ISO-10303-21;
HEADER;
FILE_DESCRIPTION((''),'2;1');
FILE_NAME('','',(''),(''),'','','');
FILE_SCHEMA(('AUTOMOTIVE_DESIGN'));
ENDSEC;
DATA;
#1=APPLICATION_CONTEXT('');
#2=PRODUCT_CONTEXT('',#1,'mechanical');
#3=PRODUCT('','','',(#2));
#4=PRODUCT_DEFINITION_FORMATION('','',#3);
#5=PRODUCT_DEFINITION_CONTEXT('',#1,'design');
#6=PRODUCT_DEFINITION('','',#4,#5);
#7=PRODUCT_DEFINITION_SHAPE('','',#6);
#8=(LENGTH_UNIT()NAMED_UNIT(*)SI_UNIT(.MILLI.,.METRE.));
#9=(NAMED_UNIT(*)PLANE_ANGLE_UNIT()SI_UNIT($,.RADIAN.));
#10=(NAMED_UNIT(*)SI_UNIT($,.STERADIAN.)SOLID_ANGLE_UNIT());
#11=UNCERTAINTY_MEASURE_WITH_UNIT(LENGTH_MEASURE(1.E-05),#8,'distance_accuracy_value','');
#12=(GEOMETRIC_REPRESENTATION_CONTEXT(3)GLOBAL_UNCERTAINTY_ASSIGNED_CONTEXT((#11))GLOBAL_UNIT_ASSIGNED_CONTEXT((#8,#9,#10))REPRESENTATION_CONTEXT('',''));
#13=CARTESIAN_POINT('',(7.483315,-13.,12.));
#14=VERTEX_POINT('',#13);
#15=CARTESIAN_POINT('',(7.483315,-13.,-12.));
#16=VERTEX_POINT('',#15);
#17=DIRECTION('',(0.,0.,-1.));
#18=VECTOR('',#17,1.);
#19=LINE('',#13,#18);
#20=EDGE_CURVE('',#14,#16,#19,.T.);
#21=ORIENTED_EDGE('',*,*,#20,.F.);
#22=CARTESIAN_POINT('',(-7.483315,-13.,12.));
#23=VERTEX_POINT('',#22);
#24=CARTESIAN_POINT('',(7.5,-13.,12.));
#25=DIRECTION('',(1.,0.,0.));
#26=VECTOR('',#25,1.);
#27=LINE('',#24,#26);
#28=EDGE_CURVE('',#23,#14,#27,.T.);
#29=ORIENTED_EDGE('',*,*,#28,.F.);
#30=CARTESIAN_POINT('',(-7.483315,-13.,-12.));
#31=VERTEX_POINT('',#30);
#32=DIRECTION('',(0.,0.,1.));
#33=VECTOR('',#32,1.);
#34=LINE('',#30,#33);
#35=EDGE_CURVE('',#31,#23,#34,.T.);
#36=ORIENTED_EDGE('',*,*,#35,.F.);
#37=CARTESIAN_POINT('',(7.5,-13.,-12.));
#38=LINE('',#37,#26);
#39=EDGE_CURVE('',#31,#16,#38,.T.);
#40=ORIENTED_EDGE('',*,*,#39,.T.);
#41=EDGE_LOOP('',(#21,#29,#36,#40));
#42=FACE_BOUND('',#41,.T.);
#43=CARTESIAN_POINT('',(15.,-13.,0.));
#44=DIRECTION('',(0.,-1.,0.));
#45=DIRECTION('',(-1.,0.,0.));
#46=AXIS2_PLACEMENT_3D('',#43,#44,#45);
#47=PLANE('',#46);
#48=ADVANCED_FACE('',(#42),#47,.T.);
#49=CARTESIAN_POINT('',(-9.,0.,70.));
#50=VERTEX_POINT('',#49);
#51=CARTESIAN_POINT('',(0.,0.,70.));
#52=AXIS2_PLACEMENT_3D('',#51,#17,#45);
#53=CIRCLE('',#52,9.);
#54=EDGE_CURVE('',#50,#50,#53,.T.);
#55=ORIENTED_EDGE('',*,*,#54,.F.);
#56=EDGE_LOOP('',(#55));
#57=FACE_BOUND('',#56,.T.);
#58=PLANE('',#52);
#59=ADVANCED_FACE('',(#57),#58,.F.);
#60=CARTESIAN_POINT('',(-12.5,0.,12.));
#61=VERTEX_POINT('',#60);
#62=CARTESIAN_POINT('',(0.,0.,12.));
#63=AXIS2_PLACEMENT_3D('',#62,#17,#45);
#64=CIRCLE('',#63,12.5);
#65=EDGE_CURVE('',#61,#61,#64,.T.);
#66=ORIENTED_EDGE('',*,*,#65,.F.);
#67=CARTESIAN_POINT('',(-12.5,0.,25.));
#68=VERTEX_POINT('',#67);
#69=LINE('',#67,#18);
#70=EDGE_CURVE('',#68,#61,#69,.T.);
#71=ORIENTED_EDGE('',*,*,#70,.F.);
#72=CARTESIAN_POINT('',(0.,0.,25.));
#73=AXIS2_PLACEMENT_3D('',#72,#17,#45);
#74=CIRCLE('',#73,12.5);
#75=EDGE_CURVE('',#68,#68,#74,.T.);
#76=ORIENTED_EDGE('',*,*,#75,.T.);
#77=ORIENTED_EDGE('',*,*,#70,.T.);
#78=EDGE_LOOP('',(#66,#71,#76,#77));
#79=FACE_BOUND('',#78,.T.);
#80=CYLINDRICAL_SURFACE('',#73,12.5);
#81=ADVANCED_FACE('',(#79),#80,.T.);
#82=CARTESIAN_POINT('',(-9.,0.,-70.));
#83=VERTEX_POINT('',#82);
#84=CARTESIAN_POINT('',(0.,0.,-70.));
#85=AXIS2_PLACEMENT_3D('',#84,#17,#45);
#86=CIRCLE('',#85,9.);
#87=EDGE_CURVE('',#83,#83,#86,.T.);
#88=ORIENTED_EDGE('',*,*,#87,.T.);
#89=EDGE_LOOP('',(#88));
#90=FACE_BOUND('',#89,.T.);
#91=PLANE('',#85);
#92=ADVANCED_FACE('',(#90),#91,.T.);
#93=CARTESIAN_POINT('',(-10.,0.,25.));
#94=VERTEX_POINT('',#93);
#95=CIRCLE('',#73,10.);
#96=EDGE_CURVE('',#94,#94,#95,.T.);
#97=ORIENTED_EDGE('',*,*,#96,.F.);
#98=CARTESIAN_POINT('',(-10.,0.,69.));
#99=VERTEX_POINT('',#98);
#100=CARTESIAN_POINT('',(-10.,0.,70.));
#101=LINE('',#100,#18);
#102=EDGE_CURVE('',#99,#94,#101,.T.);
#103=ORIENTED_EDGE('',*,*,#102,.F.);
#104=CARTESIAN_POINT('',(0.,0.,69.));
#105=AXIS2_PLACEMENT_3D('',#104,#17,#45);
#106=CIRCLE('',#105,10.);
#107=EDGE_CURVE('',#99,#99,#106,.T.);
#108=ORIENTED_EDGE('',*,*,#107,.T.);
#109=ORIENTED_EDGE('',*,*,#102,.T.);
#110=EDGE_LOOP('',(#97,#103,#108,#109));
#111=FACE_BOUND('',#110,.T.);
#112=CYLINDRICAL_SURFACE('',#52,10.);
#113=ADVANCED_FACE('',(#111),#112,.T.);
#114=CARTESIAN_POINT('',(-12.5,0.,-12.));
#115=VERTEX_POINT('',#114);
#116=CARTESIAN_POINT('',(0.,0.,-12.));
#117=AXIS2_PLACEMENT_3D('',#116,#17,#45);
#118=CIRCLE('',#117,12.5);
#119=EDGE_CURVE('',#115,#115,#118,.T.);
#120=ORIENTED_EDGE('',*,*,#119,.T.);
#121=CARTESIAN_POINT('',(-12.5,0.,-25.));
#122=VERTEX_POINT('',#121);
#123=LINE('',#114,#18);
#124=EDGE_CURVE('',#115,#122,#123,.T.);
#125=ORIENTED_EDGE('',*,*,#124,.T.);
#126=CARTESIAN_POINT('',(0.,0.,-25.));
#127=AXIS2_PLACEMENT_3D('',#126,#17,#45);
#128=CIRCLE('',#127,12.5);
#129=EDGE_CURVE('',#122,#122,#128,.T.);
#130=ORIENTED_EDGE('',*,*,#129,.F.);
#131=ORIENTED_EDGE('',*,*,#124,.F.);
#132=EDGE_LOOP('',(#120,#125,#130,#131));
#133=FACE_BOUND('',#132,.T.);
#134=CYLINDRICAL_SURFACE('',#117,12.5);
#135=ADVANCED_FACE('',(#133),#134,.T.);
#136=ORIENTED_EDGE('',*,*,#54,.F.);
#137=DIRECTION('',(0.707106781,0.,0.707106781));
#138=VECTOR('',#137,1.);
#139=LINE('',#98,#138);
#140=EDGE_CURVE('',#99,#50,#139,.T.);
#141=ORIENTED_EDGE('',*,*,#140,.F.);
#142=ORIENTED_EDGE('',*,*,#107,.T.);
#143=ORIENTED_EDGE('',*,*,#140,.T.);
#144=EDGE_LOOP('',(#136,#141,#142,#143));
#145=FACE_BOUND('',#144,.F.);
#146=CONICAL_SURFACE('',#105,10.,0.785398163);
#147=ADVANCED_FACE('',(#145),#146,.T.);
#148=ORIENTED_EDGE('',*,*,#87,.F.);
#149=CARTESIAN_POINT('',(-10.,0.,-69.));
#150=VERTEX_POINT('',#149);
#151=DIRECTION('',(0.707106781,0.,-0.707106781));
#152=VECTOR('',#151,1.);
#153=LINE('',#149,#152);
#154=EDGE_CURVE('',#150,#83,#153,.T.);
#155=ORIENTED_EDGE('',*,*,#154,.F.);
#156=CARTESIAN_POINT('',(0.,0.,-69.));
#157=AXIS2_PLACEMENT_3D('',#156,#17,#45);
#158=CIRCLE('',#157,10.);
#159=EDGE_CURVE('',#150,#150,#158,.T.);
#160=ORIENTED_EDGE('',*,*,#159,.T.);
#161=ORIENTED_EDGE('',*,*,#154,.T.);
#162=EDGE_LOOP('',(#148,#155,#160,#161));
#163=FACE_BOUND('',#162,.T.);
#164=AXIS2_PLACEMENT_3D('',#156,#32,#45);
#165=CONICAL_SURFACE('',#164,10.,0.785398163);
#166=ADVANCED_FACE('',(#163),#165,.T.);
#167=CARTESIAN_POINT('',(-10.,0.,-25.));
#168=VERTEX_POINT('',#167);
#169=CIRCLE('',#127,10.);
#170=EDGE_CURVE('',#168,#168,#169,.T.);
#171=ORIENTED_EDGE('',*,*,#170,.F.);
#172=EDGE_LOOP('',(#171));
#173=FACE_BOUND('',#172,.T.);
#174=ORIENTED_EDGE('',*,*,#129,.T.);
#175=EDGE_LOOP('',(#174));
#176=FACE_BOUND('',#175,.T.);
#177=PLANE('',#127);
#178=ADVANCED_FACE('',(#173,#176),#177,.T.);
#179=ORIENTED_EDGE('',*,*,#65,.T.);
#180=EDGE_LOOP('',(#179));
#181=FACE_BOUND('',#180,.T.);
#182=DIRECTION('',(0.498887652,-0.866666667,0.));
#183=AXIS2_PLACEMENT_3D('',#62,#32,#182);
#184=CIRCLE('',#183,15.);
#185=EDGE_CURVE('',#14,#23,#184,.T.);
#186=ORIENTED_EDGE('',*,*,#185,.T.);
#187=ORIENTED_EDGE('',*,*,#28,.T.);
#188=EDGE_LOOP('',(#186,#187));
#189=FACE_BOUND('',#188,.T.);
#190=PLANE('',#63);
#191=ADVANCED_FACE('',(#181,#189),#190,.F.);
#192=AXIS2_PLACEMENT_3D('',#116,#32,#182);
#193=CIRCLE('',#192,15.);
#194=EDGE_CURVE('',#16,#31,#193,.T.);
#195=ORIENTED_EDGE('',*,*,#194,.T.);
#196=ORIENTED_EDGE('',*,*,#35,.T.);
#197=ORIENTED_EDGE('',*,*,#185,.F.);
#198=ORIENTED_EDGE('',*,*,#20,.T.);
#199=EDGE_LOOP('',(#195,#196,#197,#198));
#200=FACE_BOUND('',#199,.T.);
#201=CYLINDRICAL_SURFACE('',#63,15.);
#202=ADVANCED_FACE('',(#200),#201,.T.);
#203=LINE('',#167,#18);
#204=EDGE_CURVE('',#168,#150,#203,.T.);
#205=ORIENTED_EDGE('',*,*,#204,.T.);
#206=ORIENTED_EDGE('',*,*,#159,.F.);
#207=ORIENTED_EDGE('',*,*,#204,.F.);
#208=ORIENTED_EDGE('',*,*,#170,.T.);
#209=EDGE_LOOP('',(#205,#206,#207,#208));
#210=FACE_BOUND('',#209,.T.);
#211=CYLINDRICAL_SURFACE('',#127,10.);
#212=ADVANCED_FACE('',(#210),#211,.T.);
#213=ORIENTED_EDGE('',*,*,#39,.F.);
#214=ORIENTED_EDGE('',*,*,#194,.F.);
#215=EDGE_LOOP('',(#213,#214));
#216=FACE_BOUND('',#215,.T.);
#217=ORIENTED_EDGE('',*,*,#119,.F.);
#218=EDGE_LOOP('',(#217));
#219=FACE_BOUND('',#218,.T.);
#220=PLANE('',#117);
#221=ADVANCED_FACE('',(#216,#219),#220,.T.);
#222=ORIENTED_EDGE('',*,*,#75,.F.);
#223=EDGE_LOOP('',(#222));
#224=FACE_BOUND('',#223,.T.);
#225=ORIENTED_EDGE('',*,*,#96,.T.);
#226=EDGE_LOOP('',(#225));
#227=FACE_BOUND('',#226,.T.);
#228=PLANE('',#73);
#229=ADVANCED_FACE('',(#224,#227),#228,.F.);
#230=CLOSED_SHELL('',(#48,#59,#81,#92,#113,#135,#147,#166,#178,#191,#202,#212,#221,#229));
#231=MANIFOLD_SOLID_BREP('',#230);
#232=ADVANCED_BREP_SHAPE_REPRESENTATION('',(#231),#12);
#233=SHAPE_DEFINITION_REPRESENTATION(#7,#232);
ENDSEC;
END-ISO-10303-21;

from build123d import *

# Parameters (mm, degrees)
F3_DEPTH      = 25
F3_DEPTH_BACK = 25
F4_SIZE       = 1


with BuildPart() as f1:
    # F0 (on Front) → F1 (revolve)
    with BuildSketch(Plane.XZ):
        Polygon((-12.5, 12), (-15, 12), (-15, 0), (-15, -12), (-12.5, -12), (-12.5, -25), (-10, -25), (-10, -70), (0, -70), (0, 0), (0, 70), (-10, 70), (-10, 25), (-12.5, 25), align=None)
    revolve(axis=Axis((0, 0, 35), (0, 0, -1)))

    # F2 (on Top) → F3 (cut, two sides)
    with BuildSketch(Plane.XY) as f3_sk:
        Polygon((0, -13), (-15, -13), (-15, -17), (0, -17), (15, -17), (15, -13), align=None)
    extrude(amount=F3_DEPTH, mode=Mode.SUBTRACT)
    extrude(f3_sk.sketch, amount=-F3_DEPTH_BACK, mode=Mode.SUBTRACT)

    # F4
    f4_edges = [f1.edges().sort_by_distance(p)[0] for p in [
        (10, 0, 70),
        (10, 0, -70),
    ]]
    chamfer(f4_edges, length=F4_SIZE)


solid = f1.part
